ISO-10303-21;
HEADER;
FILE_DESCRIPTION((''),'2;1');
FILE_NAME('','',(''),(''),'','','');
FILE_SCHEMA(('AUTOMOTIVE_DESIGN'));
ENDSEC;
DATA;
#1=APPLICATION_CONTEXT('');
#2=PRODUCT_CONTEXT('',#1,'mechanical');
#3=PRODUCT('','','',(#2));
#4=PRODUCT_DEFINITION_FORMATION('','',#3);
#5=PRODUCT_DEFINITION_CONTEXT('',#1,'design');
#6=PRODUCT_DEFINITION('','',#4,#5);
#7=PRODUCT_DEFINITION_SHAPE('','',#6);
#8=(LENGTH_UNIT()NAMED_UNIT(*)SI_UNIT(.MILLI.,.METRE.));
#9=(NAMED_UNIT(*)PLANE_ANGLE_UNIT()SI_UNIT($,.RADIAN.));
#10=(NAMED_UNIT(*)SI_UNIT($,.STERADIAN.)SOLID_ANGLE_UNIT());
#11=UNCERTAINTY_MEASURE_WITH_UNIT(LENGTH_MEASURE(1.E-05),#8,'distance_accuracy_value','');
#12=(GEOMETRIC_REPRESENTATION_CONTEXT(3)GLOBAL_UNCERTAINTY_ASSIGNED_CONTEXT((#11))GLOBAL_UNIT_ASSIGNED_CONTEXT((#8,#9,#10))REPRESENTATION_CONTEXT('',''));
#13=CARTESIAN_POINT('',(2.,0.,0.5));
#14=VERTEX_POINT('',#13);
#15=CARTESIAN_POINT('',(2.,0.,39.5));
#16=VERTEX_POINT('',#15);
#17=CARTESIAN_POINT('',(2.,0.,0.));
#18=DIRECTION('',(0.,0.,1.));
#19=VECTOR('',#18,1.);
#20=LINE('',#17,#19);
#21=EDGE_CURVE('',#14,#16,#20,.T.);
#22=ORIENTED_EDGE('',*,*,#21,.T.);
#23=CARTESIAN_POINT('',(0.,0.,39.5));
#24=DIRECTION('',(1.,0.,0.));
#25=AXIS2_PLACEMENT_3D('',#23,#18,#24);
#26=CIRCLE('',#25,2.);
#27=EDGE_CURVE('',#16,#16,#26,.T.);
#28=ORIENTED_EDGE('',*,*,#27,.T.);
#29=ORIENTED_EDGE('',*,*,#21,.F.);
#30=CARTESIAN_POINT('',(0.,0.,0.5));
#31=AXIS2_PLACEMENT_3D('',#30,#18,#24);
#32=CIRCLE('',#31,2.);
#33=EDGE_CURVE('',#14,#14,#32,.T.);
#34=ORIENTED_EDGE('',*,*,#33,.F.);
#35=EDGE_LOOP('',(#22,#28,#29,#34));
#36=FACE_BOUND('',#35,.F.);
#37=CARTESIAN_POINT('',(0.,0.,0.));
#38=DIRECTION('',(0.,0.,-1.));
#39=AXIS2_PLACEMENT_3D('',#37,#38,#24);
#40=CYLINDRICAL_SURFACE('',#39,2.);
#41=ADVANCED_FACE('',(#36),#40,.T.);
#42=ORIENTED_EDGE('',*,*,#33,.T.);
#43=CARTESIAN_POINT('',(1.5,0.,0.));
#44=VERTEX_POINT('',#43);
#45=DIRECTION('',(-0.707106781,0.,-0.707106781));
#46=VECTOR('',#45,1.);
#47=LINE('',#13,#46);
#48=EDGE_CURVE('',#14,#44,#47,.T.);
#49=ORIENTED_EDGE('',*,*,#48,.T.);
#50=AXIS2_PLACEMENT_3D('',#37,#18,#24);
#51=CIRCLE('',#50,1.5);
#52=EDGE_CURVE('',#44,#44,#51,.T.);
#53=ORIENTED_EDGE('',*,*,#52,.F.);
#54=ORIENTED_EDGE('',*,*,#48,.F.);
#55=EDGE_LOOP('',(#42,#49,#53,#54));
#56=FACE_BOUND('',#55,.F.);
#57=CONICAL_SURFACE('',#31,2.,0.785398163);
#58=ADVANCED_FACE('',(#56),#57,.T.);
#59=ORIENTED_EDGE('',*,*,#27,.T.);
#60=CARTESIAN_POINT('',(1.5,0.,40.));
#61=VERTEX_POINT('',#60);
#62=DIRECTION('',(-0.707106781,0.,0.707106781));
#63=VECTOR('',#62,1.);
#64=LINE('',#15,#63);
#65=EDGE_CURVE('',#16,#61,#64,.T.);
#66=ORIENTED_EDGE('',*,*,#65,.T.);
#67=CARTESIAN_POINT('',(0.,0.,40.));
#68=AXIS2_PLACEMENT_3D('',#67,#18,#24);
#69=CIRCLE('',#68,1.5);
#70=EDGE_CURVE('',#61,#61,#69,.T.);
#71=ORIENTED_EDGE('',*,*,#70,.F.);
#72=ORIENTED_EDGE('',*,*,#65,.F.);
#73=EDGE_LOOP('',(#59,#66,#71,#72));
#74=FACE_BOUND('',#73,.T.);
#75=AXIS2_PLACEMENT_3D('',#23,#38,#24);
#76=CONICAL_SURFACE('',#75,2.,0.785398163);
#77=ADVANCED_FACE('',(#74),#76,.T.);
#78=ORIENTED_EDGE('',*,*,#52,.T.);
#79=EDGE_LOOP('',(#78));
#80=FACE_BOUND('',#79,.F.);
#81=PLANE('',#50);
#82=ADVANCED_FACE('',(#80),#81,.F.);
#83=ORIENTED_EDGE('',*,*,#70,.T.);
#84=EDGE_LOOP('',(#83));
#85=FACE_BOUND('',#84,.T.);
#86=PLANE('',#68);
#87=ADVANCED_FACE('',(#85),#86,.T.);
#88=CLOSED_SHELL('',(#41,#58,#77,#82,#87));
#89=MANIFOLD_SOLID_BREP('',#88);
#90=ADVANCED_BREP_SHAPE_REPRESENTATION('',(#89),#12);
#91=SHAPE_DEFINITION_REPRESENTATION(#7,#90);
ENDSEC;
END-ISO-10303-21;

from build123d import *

# Parameters (mm, degrees)
SKETCH_R     = 2
PAD_DEPTH    = 40
CHAMFER_SIZE = 0.5


with BuildPart() as part:
    # Sketch → Pad (new body)
    with BuildSketch(Plane.XY):
        Circle(SKETCH_R)
    extrude(amount=PAD_DEPTH)

    # Chamfer
    chamfer_edges = [part.edges().sort_by_distance(p)[0] for p in [
        (-2, 0, 40),
        (-2, 0, 0),
    ]]
    chamfer(chamfer_edges, length=CHAMFER_SIZE)


solid = part.part
